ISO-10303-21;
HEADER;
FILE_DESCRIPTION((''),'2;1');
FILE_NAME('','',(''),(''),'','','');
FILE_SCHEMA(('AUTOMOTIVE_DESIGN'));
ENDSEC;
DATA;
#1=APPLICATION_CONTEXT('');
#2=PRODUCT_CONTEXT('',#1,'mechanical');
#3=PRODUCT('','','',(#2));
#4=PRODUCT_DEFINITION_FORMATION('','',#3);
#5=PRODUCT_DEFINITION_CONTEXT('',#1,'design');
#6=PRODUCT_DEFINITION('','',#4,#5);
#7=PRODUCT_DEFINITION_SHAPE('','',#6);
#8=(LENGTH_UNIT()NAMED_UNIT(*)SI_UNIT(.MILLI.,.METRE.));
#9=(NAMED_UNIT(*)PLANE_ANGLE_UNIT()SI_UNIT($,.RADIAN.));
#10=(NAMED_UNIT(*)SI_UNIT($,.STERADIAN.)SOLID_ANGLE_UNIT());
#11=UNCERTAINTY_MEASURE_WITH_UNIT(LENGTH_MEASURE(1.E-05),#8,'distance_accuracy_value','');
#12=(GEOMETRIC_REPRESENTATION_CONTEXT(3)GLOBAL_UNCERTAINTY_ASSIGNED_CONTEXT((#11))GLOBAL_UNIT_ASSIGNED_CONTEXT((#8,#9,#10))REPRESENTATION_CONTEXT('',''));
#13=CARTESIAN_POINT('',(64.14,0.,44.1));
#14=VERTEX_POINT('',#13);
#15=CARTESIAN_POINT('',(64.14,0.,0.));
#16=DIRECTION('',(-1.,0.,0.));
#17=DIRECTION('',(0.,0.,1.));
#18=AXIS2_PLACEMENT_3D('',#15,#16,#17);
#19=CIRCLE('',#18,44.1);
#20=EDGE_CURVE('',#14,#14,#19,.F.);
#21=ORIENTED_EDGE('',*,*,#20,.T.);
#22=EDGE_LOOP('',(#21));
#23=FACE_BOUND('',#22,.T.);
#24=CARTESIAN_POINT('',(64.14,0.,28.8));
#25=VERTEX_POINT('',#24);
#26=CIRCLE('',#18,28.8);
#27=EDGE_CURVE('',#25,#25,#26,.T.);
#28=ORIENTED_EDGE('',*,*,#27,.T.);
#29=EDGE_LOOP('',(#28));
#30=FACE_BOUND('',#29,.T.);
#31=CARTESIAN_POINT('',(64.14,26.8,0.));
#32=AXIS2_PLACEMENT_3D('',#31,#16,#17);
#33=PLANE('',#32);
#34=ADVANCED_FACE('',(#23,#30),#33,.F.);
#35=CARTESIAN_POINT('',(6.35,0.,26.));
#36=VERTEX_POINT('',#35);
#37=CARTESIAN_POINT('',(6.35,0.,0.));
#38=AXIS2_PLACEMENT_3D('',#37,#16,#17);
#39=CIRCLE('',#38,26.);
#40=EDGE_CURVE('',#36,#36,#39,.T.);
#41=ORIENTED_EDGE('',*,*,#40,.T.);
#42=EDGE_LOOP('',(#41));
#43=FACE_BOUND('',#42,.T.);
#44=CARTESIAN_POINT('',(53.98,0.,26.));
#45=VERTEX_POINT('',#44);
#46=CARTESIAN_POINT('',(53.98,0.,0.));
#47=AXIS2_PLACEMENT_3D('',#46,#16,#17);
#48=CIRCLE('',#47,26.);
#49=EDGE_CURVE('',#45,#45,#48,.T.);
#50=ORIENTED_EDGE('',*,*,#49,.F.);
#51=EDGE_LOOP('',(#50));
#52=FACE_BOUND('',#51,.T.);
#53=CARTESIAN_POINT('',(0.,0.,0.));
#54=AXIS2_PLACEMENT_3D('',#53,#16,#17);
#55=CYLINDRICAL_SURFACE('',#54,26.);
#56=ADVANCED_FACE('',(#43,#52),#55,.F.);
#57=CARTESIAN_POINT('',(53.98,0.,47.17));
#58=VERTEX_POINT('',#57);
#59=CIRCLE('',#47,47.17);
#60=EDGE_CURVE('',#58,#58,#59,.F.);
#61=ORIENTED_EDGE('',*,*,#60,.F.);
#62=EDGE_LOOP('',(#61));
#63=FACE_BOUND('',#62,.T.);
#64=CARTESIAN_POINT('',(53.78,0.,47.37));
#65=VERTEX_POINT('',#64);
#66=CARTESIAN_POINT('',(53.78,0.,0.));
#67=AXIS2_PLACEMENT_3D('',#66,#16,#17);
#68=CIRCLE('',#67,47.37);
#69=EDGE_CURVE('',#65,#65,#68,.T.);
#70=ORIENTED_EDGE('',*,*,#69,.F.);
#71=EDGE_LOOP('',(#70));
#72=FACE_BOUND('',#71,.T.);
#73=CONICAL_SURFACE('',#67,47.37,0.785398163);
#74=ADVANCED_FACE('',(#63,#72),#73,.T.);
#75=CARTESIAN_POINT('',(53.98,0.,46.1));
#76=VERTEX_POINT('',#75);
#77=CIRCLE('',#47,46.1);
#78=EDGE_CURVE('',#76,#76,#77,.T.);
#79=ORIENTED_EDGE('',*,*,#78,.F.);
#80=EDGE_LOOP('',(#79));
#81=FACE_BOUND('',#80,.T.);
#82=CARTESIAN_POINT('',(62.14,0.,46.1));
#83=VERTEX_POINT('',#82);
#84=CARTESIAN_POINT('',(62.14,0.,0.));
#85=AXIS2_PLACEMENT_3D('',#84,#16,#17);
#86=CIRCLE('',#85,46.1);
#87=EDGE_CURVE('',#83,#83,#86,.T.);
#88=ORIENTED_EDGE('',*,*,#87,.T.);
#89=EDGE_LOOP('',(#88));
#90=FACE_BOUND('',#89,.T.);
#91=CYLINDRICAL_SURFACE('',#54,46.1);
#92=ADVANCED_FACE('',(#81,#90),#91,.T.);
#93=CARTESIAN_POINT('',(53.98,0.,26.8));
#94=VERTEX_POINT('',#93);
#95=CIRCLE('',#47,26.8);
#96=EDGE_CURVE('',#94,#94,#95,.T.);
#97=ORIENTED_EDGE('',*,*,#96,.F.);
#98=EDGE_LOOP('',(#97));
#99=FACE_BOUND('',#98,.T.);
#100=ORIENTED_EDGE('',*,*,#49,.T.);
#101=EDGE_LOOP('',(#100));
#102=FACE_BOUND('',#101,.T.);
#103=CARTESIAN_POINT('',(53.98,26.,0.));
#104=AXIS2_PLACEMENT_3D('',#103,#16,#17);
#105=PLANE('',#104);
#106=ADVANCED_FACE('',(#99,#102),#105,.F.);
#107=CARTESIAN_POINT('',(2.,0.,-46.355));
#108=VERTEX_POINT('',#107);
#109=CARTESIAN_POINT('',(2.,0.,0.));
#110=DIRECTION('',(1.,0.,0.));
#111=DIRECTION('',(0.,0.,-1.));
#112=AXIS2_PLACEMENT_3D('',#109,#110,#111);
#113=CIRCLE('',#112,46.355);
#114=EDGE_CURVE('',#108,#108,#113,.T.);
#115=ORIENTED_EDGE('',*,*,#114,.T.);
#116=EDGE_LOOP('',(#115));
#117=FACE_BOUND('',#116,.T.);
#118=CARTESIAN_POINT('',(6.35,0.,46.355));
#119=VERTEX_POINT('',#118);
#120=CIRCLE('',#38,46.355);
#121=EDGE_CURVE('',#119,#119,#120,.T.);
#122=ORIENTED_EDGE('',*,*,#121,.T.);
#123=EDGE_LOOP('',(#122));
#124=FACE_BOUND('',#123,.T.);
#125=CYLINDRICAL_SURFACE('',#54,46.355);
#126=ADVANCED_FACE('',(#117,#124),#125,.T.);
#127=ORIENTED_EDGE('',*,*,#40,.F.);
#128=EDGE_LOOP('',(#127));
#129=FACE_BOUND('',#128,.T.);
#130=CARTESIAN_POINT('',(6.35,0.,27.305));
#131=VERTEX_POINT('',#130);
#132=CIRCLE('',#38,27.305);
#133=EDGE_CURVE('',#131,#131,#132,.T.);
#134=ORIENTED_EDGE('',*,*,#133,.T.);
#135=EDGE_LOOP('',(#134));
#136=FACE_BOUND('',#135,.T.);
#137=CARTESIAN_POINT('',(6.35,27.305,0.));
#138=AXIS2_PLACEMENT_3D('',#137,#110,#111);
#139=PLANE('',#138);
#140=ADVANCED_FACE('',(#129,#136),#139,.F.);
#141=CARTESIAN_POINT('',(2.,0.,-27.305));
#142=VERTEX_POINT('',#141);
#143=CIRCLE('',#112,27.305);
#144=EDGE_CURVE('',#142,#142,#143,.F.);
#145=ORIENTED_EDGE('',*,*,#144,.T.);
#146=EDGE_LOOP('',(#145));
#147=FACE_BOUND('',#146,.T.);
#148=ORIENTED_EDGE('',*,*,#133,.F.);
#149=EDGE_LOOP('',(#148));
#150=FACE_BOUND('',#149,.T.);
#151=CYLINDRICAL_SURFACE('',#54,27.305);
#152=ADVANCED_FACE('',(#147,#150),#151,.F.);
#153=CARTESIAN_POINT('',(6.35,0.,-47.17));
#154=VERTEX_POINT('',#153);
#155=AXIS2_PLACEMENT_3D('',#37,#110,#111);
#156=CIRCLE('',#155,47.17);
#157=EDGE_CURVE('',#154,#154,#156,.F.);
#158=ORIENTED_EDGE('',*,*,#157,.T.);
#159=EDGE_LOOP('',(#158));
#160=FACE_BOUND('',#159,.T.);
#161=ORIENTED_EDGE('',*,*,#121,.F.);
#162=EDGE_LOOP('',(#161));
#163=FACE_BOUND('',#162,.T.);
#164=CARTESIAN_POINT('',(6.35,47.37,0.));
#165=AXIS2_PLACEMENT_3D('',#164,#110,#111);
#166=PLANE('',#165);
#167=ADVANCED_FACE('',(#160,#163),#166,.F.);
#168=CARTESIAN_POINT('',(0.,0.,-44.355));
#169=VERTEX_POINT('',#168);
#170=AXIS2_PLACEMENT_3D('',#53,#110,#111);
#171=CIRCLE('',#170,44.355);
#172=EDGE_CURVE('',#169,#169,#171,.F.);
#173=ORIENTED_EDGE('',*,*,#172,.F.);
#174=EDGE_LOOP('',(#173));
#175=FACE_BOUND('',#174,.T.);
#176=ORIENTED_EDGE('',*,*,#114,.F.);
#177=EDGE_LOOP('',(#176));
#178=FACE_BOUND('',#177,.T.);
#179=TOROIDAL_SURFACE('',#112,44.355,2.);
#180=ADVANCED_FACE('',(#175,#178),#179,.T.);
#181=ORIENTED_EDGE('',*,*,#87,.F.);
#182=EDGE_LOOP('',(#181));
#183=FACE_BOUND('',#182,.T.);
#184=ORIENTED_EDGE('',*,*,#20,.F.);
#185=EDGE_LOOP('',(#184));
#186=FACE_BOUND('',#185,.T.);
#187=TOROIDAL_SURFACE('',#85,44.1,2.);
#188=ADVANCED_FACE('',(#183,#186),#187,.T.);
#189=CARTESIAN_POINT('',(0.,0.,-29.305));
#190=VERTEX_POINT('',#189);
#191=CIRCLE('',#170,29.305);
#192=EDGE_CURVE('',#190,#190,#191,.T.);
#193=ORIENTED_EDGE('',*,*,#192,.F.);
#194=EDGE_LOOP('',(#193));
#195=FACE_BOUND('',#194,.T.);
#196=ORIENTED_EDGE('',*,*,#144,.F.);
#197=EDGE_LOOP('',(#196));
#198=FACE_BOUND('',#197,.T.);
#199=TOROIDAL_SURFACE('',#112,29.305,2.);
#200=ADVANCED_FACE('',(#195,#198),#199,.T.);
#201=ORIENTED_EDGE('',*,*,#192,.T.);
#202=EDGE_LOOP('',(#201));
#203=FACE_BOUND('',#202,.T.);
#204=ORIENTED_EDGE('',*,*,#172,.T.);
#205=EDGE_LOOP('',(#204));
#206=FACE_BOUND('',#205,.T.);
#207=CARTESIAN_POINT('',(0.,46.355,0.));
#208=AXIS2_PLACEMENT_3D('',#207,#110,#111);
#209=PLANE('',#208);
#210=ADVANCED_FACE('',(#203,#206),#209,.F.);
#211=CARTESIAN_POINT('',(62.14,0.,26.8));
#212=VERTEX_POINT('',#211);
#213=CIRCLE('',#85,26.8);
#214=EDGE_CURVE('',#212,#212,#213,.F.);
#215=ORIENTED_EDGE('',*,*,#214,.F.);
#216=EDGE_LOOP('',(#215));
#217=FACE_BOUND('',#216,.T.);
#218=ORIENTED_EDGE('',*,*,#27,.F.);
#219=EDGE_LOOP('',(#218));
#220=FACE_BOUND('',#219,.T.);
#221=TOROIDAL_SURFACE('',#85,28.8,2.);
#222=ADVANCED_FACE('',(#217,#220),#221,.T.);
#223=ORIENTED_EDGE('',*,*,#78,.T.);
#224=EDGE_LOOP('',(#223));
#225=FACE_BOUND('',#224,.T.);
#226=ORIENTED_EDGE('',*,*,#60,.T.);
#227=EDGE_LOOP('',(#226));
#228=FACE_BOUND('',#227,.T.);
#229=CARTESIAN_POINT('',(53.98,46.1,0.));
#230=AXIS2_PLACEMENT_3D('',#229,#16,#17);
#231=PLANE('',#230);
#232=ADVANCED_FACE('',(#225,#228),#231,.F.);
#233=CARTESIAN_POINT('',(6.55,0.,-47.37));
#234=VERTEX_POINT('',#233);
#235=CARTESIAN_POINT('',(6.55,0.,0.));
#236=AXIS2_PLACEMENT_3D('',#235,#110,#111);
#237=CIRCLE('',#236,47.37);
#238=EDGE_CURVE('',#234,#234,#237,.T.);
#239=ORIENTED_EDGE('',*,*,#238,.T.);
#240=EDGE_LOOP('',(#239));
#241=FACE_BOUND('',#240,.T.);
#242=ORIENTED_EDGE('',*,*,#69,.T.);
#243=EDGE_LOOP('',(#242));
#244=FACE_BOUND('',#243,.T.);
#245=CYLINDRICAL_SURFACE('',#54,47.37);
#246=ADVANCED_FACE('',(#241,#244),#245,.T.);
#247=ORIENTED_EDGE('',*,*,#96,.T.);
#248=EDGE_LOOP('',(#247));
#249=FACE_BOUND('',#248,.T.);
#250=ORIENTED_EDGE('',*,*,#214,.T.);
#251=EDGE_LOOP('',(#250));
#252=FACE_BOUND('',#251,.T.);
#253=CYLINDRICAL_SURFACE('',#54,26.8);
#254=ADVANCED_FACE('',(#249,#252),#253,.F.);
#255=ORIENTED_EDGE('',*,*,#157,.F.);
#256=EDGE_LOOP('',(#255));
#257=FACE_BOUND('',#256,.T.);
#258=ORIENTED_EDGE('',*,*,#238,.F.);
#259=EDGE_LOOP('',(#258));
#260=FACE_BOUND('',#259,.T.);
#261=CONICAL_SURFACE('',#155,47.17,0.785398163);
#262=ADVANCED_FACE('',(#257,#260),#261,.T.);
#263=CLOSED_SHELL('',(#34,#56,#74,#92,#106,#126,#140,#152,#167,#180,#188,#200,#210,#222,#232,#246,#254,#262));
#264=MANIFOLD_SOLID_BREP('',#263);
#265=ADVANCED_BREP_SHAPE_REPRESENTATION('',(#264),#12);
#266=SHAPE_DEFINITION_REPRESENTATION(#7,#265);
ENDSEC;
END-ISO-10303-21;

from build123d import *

# Parameters (mm, degrees)
FILLET1_R     = 2
CHAMFER1_SIZE = 0.2


with BuildPart() as part:
    # Sketch1 → Revolve1 (revolve)
    with BuildSketch(Plane.XY, mode=Mode.PRIVATE) as revolve1_sk:
        Polygon((0, 46.355), (0, 27.305), (6.35, 27.305), (6.35, 26), (53.98, 26), (53.98, 26.8), (64.14, 26.8), (64.14, 46.1), (53.98, 46.1), (53.98, 47.37), (6.35, 47.37), (6.35, 46.355), align=None)
    revolve(revolve1_sk.sketch.rotate(Axis((0, 0, 0), (1, 0, 0)), 90), axis=Axis((0, 0, 0), (1, 0, 0)))

    # Fillet1
    fillet1_edges = [part.edges().sort_by_distance(p)[0] for p in [
        (64.14, 0, -46.1),
        (64.14, 0, -26.8),
        (0, 0, -27.305),
        (0, 0, -46.355),
    ]]
    fillet(fillet1_edges, radius=FILLET1_R)

    # Chamfer1
    chamfer1_edges = [part.edges().sort_by_distance(p)[0] for p in [
        (53.98, 0, -47.37),
        (6.35, 0, -47.37),
    ]]
    chamfer(chamfer1_edges, length=CHAMFER1_SIZE)


solid = part.part
